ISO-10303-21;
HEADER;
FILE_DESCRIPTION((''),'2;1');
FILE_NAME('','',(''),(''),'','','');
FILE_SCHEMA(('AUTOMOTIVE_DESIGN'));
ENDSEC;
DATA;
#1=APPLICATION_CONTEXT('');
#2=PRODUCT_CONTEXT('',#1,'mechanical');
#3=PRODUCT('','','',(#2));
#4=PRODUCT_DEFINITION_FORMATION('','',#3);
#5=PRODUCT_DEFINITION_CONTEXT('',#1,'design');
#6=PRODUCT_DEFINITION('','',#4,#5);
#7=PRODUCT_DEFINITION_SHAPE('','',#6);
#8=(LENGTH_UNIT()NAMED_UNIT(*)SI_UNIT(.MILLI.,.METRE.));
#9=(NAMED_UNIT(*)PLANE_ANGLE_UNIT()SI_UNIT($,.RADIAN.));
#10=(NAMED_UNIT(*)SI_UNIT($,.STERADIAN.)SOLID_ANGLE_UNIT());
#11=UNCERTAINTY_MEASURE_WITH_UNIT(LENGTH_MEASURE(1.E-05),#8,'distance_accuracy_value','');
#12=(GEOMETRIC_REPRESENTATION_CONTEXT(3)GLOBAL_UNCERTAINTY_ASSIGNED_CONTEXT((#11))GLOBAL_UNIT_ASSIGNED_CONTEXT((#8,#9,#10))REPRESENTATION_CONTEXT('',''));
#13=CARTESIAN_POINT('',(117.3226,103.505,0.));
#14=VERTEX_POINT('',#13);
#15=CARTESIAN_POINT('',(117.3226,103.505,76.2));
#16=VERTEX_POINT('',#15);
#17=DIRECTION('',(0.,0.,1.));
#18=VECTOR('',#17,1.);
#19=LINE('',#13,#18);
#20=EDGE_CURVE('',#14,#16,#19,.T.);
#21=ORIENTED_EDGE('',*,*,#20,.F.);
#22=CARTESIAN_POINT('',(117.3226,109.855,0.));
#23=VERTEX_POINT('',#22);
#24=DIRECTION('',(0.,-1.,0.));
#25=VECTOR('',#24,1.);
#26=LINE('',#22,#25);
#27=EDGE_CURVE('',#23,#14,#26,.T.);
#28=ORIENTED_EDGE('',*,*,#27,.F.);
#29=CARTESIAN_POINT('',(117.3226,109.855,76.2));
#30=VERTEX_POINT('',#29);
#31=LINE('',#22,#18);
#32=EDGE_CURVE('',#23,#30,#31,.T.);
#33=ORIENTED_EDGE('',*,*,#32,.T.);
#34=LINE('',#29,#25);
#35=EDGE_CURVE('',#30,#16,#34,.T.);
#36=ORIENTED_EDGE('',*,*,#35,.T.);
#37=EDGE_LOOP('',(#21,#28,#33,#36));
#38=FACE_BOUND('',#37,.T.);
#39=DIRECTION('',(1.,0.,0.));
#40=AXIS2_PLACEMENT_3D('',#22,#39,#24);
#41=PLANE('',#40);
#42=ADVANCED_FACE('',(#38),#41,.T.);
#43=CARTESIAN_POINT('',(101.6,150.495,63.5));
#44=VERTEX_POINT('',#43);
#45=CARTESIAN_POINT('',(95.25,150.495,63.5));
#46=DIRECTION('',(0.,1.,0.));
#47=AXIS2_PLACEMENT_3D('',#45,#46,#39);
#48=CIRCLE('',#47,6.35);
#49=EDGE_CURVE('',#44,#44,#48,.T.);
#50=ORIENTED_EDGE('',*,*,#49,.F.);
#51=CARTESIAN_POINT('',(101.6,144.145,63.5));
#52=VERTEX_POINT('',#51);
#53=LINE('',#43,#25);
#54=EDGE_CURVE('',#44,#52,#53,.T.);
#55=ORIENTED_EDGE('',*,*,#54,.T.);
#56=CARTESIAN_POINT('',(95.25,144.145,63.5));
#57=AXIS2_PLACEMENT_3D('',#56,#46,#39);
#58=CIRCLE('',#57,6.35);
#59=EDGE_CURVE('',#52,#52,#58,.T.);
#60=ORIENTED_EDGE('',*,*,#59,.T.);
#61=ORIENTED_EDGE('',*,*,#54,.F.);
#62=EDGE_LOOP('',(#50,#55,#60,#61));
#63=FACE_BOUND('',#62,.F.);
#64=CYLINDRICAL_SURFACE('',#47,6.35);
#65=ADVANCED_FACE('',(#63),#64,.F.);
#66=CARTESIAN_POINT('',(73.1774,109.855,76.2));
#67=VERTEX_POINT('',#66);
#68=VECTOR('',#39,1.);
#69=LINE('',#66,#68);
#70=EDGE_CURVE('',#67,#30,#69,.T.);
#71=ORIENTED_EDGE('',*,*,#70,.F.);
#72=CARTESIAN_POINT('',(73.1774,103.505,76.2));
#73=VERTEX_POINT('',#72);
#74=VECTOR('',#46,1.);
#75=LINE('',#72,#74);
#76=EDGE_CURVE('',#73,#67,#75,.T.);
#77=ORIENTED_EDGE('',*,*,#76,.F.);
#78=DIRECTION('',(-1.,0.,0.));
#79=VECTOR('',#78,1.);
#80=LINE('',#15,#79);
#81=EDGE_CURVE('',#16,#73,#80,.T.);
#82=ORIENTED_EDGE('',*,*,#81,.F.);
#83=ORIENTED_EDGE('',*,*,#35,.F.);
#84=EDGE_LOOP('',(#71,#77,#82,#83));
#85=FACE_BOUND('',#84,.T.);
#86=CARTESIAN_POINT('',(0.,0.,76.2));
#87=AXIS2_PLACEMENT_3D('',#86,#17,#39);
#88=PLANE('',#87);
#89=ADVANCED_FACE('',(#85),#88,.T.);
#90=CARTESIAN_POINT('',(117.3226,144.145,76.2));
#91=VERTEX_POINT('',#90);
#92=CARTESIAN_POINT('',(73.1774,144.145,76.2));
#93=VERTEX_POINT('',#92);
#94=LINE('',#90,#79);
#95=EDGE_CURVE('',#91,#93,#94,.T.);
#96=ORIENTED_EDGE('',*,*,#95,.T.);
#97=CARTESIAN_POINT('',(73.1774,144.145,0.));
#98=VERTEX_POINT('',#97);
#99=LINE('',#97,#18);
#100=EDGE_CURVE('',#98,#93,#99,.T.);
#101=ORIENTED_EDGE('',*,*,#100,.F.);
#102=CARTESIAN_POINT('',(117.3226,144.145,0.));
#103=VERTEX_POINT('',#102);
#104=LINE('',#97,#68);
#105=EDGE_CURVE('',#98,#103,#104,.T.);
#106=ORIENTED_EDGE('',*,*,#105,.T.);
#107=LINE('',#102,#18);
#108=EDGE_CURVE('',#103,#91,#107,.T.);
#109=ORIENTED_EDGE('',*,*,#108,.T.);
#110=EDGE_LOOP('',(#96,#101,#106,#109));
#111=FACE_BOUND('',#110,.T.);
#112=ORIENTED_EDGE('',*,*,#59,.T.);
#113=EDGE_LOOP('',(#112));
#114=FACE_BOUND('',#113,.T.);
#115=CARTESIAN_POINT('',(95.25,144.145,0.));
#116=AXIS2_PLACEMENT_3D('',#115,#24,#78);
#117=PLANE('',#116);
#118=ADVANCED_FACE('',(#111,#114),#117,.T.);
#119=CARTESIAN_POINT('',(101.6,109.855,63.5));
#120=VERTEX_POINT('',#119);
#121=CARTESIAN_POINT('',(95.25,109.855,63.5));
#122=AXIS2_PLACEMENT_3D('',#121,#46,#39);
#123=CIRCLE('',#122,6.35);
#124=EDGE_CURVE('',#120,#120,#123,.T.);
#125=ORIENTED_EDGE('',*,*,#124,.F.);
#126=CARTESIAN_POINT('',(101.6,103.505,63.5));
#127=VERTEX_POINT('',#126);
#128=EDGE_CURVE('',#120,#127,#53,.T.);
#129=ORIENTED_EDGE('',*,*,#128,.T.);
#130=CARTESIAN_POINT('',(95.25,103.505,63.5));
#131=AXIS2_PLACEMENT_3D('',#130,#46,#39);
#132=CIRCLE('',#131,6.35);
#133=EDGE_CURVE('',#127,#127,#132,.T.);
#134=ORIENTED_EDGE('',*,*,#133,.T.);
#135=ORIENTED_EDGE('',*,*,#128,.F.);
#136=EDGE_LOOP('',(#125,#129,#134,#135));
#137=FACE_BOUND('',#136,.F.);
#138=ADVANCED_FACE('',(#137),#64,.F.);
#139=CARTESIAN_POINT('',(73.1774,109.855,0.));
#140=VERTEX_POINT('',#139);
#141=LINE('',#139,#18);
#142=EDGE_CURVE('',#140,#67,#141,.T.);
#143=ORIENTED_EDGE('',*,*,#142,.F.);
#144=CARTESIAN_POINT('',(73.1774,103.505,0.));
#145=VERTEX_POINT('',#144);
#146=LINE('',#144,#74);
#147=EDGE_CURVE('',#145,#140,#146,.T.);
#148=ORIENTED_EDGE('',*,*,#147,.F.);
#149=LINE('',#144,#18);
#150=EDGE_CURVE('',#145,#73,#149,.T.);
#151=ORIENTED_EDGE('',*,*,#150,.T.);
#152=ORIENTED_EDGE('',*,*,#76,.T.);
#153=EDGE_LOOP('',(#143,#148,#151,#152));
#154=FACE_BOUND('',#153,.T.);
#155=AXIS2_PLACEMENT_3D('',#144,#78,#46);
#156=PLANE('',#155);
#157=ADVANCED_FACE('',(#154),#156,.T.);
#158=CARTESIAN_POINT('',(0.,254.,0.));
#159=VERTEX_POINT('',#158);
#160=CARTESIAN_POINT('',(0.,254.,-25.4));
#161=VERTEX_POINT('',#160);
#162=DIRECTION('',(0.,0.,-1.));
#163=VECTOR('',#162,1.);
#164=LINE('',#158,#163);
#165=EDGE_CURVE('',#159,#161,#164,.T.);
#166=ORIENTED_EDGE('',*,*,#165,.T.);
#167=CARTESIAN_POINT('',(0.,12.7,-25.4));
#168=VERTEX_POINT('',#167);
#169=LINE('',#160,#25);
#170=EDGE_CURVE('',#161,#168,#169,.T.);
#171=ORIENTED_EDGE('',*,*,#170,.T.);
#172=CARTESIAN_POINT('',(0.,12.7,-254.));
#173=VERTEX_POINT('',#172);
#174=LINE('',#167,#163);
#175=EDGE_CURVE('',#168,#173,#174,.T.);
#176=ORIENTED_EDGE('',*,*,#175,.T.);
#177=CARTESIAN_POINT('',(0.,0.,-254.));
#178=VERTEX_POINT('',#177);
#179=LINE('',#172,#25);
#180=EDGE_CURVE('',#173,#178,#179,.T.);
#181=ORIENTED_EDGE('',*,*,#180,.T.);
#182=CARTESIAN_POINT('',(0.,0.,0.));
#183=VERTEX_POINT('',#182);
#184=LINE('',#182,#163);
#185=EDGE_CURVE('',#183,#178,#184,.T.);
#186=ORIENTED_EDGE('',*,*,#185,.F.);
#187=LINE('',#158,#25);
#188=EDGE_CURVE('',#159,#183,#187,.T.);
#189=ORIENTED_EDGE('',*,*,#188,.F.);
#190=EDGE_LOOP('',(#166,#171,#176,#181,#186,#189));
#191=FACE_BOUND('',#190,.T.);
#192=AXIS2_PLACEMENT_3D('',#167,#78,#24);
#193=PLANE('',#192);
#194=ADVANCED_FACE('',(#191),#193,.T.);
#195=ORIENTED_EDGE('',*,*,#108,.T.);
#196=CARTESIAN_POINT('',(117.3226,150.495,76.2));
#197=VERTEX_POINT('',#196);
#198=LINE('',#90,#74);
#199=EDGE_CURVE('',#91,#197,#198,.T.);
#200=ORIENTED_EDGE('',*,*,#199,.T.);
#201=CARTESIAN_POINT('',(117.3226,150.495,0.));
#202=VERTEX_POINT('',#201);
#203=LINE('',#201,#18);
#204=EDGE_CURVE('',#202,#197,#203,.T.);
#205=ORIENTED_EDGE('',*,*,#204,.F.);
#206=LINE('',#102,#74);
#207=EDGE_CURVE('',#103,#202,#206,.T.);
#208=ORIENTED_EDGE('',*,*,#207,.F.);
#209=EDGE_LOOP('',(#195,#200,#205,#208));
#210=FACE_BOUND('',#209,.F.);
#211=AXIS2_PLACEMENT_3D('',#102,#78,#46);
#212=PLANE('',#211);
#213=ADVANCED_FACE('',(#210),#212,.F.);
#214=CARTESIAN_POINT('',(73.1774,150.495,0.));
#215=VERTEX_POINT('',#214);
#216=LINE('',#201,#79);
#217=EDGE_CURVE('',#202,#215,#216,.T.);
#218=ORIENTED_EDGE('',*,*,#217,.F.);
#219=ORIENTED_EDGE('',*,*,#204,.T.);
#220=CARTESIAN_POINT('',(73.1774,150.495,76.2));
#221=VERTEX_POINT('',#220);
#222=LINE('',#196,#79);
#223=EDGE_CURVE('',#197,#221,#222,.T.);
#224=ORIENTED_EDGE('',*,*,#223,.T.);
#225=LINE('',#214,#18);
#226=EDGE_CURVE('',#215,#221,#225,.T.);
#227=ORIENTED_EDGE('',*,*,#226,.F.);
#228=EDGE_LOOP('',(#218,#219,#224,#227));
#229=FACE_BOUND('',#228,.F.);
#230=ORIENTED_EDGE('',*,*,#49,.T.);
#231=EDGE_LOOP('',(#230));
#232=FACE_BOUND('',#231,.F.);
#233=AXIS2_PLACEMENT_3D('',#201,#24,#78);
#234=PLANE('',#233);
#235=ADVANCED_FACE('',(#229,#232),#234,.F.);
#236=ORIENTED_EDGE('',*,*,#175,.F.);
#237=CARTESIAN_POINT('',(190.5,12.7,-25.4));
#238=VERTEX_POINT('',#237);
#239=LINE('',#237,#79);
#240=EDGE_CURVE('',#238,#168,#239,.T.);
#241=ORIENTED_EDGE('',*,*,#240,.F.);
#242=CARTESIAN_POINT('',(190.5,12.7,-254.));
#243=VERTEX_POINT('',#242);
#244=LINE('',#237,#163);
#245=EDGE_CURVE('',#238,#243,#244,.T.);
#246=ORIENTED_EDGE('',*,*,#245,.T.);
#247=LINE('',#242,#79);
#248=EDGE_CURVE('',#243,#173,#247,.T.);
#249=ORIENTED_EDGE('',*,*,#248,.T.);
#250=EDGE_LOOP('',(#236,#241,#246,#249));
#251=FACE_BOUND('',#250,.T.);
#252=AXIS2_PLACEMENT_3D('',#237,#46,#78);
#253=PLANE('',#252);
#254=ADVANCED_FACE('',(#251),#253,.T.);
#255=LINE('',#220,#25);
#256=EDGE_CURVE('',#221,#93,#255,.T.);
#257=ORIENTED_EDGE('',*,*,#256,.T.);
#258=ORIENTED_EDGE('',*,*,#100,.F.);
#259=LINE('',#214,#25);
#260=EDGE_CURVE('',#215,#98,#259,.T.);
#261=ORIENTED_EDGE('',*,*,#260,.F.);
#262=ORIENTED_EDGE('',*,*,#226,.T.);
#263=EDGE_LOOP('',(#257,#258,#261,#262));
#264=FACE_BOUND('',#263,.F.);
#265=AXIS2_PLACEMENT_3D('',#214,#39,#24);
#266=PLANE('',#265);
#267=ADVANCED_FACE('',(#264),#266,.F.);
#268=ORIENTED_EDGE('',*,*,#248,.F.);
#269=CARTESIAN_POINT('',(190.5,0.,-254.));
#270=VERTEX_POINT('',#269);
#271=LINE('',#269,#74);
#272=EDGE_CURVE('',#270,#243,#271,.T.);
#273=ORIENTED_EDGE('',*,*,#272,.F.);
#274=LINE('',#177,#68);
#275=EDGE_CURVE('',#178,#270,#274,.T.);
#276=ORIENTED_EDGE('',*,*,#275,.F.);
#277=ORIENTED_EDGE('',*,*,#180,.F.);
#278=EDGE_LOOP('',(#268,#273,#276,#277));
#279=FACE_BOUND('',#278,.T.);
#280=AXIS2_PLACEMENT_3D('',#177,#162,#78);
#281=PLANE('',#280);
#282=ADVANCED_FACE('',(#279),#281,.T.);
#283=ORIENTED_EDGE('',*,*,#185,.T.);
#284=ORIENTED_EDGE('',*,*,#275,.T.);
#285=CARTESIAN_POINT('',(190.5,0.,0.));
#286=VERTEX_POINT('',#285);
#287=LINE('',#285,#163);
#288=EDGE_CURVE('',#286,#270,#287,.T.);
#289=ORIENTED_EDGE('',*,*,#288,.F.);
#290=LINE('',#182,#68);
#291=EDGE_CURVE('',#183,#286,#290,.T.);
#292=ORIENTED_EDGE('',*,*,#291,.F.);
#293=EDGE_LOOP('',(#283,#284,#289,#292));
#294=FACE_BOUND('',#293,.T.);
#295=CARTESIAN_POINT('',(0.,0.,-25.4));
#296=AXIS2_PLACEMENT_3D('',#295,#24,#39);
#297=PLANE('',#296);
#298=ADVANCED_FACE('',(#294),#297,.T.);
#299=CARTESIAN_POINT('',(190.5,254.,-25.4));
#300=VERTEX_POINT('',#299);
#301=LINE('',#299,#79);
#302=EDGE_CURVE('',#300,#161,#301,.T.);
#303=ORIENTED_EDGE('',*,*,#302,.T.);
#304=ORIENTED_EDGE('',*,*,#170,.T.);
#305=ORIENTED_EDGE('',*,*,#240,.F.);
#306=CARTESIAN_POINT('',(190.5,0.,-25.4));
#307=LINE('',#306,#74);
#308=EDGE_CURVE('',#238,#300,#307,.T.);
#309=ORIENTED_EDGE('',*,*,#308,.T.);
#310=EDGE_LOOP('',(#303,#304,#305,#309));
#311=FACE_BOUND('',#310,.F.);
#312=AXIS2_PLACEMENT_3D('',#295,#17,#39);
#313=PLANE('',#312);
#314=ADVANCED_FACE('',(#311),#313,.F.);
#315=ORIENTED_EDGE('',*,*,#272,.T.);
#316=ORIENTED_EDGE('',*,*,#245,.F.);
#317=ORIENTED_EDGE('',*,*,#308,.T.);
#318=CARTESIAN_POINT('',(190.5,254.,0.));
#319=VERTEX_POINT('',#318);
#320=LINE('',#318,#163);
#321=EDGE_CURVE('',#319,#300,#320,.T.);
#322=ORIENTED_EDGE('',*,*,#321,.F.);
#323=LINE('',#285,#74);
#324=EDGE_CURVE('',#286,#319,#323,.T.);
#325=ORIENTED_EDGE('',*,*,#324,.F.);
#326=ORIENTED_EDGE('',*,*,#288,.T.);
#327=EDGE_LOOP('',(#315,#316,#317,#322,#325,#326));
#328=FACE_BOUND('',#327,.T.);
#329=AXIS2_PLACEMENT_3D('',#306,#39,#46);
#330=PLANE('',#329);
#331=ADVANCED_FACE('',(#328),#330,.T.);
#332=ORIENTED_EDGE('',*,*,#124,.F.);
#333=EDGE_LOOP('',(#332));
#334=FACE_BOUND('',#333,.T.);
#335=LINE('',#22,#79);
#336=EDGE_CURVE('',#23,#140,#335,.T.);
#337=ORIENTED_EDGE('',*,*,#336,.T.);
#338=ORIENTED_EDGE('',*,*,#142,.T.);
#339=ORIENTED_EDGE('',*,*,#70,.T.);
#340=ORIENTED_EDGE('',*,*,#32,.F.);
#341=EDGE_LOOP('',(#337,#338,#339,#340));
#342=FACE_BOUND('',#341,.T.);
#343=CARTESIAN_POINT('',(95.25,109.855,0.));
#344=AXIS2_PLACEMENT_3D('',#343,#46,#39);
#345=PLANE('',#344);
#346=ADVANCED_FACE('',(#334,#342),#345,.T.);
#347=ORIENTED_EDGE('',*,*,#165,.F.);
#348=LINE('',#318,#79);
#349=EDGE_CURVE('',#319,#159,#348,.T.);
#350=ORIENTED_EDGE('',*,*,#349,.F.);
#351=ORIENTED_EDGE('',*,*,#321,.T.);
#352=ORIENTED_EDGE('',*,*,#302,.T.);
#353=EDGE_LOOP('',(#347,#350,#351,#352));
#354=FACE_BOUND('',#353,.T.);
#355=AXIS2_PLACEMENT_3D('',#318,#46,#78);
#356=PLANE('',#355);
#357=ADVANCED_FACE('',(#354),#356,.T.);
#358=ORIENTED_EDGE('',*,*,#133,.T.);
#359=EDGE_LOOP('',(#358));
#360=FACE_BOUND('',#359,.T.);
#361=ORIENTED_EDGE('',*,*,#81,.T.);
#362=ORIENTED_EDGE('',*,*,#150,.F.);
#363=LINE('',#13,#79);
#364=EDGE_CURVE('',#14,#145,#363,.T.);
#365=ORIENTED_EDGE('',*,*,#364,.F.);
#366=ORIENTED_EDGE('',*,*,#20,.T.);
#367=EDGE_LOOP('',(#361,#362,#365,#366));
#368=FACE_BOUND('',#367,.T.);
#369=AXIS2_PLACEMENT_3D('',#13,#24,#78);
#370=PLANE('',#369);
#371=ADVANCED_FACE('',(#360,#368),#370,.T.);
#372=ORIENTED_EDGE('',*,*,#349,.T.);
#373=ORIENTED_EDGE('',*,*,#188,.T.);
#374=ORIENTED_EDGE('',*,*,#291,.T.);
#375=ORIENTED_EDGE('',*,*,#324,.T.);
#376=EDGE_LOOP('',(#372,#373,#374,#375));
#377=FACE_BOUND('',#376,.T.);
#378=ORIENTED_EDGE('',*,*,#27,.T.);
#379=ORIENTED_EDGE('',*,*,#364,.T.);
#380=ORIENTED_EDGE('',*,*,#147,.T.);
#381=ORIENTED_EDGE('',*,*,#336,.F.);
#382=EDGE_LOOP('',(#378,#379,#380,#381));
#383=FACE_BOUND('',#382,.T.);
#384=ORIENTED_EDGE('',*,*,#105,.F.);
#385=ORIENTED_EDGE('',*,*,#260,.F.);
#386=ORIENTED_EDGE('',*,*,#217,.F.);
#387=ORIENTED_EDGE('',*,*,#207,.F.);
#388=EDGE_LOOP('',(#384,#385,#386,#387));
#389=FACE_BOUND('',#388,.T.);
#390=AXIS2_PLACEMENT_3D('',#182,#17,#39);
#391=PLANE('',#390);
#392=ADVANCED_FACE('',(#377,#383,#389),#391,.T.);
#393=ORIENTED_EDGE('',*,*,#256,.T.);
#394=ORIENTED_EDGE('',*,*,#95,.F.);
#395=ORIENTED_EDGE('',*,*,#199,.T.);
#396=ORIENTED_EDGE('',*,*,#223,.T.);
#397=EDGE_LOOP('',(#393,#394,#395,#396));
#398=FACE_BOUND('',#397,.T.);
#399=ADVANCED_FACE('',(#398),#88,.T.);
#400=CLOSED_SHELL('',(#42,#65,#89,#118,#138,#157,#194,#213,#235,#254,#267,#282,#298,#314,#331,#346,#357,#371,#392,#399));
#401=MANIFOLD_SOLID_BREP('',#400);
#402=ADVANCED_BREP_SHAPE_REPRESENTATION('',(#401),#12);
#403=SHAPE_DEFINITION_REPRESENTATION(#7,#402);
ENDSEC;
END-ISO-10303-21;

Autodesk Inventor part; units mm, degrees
ref_plane "YZ Plane" through (0, 0, 0) normal (1, 0, 0) x (0, 1, 0)
ref_plane "XZ Plane" through (0, 0, 0) normal (0, 1, 0) x (-1, 0, 0)
ref_plane "XY Plane" through (0, 0, 0) normal (0, 0, 1) x (1, 0, 0)
sketch "Sketch1" plane through (0, 0, 0) normal (0, 0, 1) x (1, 0, 0)
  line L0 (0, 0) -> (190.5, 0)
  line L1 (190.5, 0) -> (190.5, 254)
  line L2 (190.5, 254) -> (0, 254)
  line L3 (0, 254) -> (0, 0)
  dimension "d0" = 190.5
  dimension "d1" = 254
extrude "Extrusion1" add sketch "Sketch1" against normal blind 25.4
sketch "Sketch2" plane through (0, 0, 0) normal (0, 0, 1) x (1, 0, 0)
  line L0 (0, 0) -> (0, 254) projected
  line L1 (0, 127) -> (190.5, 127)
  line L2 (190.5, 254) -> (190.5, 0) projected
  line L3 (54.1274, 112.395) -> (54.1274, 106.045)
  line L4 (95.25, 144.145) -> (117.3226, 144.145)
  line L5 (117.3226, 144.145) -> (73.1774, 144.145)
  line L6 (95.25, 109.855) -> (117.3226, 109.855)
  line L7 (117.3226, 109.855) -> (73.1774, 109.855)
  line L8 (73.1774, 144.145) -> (117.3226, 144.145)
  line L9 (117.3226, 144.145) -> (117.3226, 150.495)
  line L10 (117.3226, 150.495) -> (73.1774, 150.495)
  line L11 (73.1774, 150.495) -> (73.1774, 144.145)
  line L12 (73.1774, 109.855) -> (117.3226, 109.855)
  line L13 (117.3226, 109.855) -> (117.3226, 103.505)
  line L14 (117.3226, 103.505) -> (73.1774, 103.505)
  line L15 (73.1774, 103.505) -> (73.1774, 109.855)
  point P0 (54.1274, 141.605)
  dimension "d16" = 22.0726
  dimension "d17" = 44.1452
  dimension "d18" = 6.35
  dimension "d19" = 6.35
extrude "Extrusion2" add sketch "Sketch2" along normal blind 76.2
sketch "Sketch3" plane through (54.1274, 112.395, 0) normal (0, 1, 0) x (1, 0, 0)
  circle A0 centre (22.0726, -63.5) radius 6.35
  point P0 (-54.1274, 0)
  dimension "d10" = 12.7
extrude "Extrusion3" [suppressed]
sketch "Sketch4" plane through (0, 0, -25.4) normal (0, 0, -1) x (-1, 0, 0)
  line L0 (-190.5, 0) -> (-190.5, 254) projected
  line L1 (0, 0) -> (-190.5, 0)
  line L2 (-190.5, 0) -> (-190.5, 12.7)
  line L3 (-190.5, 12.7) -> (0, 12.7)
  line L4 (0, 12.7) -> (0, 0)
  dimension "d13" = 12.7
extrude "Extrusion4" add sketch "Sketch4" along normal blind 228.6
sketch "Sketch5" plane through (73.1774, 150.495, 0) normal (0, 1, 0) x (1, 0, 0)
  circle A0 centre (22.0726, -63.5) radius 6.35
  point P0 (-73.1774, 0)
  dimension "d20" = 12.7
extrude "Extrusion5" cut sketch "Sketch5" against normal blind 101.6
properties part number "LucasCharles Part3" material "ABS Plastic"
